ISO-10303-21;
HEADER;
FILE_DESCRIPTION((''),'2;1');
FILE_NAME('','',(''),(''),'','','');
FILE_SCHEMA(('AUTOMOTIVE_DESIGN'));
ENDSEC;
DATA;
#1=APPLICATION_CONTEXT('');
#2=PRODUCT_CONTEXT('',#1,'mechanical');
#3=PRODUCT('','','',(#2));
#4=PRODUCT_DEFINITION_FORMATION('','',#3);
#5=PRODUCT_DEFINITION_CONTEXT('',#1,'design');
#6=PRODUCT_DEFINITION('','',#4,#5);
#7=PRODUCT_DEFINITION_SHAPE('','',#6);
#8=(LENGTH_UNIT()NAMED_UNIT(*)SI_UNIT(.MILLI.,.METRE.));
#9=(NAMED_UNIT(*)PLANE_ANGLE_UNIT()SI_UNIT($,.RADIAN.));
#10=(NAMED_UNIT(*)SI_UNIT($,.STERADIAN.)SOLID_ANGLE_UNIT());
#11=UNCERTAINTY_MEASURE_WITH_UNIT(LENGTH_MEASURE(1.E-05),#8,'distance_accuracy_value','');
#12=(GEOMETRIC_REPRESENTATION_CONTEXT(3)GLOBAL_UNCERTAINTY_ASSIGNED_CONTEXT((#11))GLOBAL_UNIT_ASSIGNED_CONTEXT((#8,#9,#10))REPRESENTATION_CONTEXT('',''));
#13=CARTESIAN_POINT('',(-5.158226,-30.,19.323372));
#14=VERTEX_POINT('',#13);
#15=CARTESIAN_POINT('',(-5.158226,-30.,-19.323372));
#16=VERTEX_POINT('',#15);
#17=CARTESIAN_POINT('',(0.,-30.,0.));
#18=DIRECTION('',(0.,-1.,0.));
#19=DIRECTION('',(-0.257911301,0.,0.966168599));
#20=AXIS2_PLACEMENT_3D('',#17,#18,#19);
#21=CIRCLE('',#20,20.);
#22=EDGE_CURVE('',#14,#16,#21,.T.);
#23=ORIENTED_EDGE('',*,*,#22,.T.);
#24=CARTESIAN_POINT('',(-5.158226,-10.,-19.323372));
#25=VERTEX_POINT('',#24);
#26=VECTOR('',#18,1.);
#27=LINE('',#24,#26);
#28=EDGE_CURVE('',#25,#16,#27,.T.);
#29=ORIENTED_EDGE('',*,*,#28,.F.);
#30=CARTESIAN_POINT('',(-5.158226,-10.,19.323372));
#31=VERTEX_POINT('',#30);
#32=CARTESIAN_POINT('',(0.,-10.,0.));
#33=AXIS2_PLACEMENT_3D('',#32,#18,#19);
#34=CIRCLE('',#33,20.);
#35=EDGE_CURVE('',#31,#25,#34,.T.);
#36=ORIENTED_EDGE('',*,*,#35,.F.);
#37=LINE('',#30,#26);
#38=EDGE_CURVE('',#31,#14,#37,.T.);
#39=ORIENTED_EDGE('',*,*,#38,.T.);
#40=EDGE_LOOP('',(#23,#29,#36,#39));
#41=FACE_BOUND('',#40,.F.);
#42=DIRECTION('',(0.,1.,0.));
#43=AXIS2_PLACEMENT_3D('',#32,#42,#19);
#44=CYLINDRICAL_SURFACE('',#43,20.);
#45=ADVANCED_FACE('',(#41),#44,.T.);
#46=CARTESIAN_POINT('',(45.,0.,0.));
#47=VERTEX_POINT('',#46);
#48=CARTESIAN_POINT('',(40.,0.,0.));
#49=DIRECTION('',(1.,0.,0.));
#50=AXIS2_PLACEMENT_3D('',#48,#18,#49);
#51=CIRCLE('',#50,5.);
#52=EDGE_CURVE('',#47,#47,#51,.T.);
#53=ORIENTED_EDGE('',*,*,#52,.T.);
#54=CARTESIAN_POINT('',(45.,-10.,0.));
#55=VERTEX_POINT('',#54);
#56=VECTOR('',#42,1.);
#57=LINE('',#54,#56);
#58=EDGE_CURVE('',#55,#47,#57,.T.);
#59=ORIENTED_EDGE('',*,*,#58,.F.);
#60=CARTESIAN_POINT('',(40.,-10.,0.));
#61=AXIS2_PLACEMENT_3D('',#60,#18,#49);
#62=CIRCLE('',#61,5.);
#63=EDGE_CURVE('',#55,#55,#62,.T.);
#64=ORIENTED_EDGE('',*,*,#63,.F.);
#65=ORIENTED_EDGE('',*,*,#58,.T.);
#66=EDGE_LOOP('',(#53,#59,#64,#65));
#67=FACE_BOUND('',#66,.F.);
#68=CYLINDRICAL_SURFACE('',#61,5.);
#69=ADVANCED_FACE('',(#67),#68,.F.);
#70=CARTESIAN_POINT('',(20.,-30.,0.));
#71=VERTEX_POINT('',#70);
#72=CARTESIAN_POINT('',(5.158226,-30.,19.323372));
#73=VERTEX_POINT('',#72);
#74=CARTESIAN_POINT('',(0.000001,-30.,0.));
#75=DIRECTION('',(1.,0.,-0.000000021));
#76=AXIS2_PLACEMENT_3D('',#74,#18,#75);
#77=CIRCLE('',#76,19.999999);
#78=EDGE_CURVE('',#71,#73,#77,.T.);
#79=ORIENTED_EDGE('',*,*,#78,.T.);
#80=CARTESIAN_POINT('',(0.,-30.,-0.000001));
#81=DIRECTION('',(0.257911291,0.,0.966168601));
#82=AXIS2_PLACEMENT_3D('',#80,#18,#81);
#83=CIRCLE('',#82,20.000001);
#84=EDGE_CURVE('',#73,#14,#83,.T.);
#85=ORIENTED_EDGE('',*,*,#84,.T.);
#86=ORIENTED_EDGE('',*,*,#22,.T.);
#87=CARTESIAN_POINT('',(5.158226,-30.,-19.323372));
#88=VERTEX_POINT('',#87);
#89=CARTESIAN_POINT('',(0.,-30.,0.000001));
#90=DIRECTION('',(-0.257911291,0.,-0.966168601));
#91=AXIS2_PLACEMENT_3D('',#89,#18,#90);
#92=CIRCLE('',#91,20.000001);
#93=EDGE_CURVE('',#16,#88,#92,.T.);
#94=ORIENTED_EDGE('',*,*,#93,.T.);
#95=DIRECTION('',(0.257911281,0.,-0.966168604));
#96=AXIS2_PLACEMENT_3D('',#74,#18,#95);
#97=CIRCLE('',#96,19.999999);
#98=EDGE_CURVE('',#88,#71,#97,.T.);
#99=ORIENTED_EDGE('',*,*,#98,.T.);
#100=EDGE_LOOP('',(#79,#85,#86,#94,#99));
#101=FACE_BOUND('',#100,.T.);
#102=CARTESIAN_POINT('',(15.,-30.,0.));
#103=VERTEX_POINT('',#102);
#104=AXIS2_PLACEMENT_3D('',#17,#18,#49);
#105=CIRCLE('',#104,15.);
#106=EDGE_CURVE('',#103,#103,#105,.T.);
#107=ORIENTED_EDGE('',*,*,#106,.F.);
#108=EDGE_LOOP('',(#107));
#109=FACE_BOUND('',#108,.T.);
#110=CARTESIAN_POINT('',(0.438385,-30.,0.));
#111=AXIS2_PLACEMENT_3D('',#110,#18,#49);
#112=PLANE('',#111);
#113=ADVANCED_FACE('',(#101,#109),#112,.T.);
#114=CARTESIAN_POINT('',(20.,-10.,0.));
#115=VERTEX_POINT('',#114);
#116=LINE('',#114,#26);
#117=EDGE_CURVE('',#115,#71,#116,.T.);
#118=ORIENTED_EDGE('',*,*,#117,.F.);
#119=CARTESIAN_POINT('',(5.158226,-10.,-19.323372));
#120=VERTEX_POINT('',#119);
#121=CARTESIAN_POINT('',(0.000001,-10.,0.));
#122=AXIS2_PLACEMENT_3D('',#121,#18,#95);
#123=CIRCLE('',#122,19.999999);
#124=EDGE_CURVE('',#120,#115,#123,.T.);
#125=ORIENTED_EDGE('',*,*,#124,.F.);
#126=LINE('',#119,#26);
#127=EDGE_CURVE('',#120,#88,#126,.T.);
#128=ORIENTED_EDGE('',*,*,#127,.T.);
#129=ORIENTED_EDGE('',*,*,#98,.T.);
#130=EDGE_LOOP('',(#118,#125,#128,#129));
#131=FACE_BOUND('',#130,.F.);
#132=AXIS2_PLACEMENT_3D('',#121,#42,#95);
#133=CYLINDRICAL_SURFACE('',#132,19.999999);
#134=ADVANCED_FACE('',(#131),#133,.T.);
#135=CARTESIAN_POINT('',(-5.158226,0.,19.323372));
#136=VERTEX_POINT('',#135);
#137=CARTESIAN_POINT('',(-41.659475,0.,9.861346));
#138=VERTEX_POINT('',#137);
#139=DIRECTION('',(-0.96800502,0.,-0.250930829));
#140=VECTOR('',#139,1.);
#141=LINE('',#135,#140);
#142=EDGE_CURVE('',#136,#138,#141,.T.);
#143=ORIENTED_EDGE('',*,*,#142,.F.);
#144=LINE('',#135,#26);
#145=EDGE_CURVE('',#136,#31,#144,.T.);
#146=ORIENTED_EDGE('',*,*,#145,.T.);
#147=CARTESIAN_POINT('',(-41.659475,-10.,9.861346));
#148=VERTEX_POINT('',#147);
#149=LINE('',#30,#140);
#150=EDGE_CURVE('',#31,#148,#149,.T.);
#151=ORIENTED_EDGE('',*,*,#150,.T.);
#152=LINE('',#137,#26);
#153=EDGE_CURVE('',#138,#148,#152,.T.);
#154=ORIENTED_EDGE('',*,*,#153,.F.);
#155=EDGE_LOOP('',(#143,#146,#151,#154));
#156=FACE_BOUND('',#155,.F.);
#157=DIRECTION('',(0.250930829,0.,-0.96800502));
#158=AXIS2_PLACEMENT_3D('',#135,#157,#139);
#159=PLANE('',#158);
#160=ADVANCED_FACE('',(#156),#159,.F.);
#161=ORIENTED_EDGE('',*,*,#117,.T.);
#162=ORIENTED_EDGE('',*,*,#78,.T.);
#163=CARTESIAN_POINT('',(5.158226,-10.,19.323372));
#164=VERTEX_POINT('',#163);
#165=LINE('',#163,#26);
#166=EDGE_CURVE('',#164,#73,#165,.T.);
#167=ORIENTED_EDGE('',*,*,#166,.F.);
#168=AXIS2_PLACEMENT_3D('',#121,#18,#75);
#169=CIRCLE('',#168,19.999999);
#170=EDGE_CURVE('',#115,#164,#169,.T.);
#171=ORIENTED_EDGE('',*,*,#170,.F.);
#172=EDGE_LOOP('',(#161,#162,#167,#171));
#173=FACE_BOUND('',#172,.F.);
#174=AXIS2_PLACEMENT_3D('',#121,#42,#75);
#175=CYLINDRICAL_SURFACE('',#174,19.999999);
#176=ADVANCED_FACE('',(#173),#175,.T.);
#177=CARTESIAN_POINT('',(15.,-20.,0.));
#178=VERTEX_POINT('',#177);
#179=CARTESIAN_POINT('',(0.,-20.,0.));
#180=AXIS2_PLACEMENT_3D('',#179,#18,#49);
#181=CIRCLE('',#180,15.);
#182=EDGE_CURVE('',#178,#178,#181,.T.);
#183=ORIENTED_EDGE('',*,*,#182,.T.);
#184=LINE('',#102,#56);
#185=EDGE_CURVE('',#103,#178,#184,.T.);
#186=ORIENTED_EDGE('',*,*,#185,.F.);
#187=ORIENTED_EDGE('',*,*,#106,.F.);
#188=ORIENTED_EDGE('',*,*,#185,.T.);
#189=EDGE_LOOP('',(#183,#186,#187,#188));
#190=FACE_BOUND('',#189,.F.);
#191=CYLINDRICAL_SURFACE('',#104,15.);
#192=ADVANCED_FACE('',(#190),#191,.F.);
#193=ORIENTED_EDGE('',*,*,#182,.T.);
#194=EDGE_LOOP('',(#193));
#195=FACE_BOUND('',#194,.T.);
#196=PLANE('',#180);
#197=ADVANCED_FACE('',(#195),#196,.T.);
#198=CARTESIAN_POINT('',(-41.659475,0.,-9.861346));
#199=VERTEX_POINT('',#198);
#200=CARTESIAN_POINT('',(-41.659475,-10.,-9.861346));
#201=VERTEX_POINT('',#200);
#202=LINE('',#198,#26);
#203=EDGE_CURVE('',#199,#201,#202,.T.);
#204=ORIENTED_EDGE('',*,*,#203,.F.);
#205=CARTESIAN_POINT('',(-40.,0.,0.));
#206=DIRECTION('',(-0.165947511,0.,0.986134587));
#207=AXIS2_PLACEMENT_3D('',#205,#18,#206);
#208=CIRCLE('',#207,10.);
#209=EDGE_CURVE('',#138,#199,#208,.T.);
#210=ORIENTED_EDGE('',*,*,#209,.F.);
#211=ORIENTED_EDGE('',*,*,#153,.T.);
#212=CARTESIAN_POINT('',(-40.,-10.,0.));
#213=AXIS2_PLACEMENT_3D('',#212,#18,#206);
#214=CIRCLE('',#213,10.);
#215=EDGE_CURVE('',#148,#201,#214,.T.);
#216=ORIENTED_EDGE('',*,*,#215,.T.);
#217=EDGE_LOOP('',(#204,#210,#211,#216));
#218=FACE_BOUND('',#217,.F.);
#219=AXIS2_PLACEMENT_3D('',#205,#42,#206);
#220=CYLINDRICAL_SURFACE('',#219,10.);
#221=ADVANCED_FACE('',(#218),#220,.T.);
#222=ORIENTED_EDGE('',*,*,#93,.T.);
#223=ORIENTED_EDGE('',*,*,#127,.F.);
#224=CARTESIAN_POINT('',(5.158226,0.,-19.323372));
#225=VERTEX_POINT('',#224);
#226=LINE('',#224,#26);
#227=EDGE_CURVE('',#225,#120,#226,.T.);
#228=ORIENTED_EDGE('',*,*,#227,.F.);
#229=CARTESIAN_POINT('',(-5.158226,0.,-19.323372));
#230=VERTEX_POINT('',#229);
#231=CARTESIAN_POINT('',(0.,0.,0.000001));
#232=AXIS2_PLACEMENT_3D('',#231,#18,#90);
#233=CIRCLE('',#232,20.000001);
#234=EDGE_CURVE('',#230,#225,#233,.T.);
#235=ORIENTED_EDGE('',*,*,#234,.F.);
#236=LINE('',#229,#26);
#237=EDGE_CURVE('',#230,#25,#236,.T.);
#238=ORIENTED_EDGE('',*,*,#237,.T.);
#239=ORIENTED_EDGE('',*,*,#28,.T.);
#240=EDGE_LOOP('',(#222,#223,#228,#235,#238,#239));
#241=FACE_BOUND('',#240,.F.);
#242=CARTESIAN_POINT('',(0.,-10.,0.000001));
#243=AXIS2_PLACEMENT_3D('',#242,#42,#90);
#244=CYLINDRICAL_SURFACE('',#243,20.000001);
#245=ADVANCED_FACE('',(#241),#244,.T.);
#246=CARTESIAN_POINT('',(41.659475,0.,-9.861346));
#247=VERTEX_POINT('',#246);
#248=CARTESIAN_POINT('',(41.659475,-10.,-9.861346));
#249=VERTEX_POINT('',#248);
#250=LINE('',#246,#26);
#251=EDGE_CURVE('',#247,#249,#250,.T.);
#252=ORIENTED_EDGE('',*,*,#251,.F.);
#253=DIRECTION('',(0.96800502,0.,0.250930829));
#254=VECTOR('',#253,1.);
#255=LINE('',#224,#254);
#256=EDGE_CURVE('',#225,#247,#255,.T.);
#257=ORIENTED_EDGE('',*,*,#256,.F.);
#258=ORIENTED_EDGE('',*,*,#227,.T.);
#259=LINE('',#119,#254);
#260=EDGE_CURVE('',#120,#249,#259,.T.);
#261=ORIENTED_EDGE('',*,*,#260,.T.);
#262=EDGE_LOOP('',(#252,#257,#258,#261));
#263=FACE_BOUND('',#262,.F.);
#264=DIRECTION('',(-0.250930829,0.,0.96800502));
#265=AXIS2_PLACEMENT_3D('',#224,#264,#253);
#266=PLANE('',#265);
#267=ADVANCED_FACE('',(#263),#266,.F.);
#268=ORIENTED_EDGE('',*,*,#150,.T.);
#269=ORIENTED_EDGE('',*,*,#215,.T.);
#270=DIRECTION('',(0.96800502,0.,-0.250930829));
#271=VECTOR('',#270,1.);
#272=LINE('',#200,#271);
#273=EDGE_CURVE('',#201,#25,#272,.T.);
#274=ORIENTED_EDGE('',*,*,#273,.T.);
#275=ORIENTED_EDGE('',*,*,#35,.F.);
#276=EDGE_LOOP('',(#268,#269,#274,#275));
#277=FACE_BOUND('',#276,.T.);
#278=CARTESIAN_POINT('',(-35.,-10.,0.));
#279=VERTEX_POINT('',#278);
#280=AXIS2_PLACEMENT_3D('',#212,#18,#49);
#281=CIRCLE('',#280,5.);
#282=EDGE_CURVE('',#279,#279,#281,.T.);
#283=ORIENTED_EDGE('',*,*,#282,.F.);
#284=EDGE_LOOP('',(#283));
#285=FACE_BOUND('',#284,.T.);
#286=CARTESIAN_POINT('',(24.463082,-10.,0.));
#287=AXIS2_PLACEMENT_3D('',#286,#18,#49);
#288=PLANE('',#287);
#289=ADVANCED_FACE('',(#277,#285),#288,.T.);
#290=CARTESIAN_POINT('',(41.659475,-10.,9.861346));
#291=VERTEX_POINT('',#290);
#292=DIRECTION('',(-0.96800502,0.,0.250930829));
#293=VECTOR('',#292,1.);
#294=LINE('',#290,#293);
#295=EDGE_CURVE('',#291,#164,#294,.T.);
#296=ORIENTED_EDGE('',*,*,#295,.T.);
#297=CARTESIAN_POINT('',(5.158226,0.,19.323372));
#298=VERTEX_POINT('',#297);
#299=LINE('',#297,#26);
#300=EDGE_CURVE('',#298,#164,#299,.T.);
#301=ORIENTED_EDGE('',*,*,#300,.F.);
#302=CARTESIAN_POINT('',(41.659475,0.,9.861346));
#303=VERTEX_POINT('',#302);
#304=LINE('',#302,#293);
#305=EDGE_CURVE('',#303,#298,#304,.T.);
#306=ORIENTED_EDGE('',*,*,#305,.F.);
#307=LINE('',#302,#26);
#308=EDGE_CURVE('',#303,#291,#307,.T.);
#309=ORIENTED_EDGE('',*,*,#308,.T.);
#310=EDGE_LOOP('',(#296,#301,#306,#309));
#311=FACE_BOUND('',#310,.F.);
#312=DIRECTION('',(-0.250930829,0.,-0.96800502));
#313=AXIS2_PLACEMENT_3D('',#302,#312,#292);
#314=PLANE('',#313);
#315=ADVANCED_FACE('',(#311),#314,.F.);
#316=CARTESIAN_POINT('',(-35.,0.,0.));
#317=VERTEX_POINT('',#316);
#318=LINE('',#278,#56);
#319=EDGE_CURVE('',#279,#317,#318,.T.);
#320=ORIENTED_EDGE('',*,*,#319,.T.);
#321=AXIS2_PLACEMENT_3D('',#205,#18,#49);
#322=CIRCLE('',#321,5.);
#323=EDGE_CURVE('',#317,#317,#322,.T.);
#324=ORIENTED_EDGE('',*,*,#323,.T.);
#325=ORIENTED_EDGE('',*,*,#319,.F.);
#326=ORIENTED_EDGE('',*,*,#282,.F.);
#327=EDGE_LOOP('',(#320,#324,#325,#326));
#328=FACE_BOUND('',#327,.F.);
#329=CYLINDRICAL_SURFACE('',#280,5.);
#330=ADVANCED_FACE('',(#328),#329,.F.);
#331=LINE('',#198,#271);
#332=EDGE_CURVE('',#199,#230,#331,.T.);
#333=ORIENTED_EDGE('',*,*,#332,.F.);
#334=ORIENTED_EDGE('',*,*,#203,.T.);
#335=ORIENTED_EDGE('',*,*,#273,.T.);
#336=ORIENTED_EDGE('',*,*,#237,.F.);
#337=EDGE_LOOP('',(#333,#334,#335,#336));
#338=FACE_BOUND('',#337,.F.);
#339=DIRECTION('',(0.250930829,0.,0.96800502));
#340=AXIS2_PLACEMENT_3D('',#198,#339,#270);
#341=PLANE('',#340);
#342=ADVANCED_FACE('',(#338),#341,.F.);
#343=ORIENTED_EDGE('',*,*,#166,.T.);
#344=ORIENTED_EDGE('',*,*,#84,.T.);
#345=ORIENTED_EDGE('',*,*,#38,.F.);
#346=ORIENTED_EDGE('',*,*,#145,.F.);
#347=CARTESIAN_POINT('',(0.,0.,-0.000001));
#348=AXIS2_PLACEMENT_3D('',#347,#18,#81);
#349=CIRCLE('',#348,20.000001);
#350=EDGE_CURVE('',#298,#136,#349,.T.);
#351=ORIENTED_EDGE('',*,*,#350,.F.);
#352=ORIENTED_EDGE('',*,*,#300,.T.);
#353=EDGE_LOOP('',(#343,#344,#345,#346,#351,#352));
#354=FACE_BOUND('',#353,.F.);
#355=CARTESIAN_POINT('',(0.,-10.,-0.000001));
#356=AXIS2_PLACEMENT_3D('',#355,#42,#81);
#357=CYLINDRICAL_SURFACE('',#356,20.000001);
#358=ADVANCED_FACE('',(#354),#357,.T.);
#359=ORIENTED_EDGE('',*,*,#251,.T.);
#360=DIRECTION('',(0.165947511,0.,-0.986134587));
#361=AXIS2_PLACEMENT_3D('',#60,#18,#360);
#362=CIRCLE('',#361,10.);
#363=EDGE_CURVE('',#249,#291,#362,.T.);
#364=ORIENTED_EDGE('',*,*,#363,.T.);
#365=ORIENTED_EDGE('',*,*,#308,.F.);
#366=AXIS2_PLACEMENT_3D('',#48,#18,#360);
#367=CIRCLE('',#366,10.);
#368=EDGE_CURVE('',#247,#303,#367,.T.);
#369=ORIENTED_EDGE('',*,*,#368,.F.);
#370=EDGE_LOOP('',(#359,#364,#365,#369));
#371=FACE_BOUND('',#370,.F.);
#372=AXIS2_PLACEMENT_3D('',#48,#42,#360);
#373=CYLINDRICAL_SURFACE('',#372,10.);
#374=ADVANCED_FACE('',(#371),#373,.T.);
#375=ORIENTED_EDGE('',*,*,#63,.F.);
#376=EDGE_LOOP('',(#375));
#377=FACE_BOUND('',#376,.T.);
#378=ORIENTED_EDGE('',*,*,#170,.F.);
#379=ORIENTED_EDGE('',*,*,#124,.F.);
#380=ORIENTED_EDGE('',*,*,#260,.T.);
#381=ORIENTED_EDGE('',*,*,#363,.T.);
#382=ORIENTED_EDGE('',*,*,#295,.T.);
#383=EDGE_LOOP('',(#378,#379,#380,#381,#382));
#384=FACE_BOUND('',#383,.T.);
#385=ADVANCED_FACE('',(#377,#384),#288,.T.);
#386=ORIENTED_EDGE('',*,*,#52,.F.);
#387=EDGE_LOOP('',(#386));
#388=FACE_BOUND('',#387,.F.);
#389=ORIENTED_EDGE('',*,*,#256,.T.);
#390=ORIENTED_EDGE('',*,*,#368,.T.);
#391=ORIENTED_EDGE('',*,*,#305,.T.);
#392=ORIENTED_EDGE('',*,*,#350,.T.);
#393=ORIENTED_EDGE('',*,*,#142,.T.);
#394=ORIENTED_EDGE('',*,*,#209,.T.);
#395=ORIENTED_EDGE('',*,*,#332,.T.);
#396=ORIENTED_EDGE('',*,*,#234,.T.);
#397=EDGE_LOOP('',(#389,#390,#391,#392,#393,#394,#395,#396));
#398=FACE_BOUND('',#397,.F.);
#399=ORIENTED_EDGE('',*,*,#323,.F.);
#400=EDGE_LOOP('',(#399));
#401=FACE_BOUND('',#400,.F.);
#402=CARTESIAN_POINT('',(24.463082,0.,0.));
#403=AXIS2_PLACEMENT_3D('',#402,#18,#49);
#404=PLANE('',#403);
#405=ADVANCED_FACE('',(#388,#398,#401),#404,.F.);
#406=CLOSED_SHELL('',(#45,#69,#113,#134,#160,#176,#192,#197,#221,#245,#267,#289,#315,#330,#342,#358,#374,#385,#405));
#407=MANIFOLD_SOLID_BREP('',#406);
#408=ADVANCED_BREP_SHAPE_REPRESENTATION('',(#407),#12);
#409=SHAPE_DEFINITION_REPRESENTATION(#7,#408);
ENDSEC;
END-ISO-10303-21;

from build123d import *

# Parameters (mm, degrees)
F1_DEPTH = 10
F2_R     = 5
F3_DEPTH = 10.001
F5_DEPTH = 20
F6_R     = 15
F7_DEPTH = 10


with BuildPart() as f1:
    # F0 (on Front) → F1 (new body)
    with BuildSketch(Plane.XZ):
        with BuildLine():
            Line((5.158226, -19.323372), (41.659475, -9.861346))
            ThreePointArc((41.659475, -9.861346), (50, 0), (41.659475, 9.861346))
            Line((41.659475, 9.861346), (5.158226, 19.323372))
            ThreePointArc((5.158226, 19.323372), (15.861345, 12.182682), (20, 0))
            ThreePointArc((20, 0), (15.861345, -12.182682), (5.158226, -19.323372))
        make_face()
        with BuildLine():
            ThreePointArc((-5.158226, -19.323372), (0, -20), (5.158226, -19.323372))
            ThreePointArc((5.158226, -19.323372), (15.861345, -12.182682), (20, 0))
            ThreePointArc((20, 0), (15.861345, 12.182682), (5.158226, 19.323372))
            ThreePointArc((5.158226, 19.323372), (0, 20), (-5.158226, 19.323372))
            ThreePointArc((-5.158226, 19.323372), (-20, 0), (-5.158226, -19.323372))
        make_face()
        with BuildLine():
            Line((-41.659475, -9.861346), (-5.158226, -19.323372))
            ThreePointArc((-5.158226, -19.323372), (-20, 0), (-5.158226, 19.323372))
            Line((-5.158226, 19.323372), (-41.659475, 9.861346))
            ThreePointArc((-41.659475, 9.861346), (-50, 0), (-41.659475, -9.861346))
        make_face()
    extrude(amount=F1_DEPTH)

    # F2 (on face) → F3 (cut, through all)
    with BuildSketch(Plane.XZ.offset(10)):
        with Locations((40, 0)):
            Circle(F2_R)
        with Locations((-40, 0)):
            Circle(F2_R)
    extrude(amount=-F3_DEPTH, mode=Mode.SUBTRACT)

    # F4 (on face) → F5 (join)
    with BuildSketch(Plane.XZ.offset(10)):
        with BuildLine():
            ThreePointArc((5.158226, -19.323372), (15.861345, -12.182682), (20, 0))
            ThreePointArc((20, 0), (15.861345, 12.182682), (5.158226, 19.323372))
            ThreePointArc((5.158226, 19.323372), (0, 20), (-5.158226, 19.323372))
            ThreePointArc((-5.158226, 19.323372), (-20, 0), (-5.158226, -19.323372))
            ThreePointArc((-5.158226, -19.323372), (0, -20), (5.158226, -19.323372))
        make_face()
    extrude(amount=F5_DEPTH)

    # F6 (on face) → F7 (cut)
    with BuildSketch(Plane.XZ.offset(30)):
        Circle(F6_R)
    extrude(amount=-F7_DEPTH, mode=Mode.SUBTRACT)


solid = f1.part
